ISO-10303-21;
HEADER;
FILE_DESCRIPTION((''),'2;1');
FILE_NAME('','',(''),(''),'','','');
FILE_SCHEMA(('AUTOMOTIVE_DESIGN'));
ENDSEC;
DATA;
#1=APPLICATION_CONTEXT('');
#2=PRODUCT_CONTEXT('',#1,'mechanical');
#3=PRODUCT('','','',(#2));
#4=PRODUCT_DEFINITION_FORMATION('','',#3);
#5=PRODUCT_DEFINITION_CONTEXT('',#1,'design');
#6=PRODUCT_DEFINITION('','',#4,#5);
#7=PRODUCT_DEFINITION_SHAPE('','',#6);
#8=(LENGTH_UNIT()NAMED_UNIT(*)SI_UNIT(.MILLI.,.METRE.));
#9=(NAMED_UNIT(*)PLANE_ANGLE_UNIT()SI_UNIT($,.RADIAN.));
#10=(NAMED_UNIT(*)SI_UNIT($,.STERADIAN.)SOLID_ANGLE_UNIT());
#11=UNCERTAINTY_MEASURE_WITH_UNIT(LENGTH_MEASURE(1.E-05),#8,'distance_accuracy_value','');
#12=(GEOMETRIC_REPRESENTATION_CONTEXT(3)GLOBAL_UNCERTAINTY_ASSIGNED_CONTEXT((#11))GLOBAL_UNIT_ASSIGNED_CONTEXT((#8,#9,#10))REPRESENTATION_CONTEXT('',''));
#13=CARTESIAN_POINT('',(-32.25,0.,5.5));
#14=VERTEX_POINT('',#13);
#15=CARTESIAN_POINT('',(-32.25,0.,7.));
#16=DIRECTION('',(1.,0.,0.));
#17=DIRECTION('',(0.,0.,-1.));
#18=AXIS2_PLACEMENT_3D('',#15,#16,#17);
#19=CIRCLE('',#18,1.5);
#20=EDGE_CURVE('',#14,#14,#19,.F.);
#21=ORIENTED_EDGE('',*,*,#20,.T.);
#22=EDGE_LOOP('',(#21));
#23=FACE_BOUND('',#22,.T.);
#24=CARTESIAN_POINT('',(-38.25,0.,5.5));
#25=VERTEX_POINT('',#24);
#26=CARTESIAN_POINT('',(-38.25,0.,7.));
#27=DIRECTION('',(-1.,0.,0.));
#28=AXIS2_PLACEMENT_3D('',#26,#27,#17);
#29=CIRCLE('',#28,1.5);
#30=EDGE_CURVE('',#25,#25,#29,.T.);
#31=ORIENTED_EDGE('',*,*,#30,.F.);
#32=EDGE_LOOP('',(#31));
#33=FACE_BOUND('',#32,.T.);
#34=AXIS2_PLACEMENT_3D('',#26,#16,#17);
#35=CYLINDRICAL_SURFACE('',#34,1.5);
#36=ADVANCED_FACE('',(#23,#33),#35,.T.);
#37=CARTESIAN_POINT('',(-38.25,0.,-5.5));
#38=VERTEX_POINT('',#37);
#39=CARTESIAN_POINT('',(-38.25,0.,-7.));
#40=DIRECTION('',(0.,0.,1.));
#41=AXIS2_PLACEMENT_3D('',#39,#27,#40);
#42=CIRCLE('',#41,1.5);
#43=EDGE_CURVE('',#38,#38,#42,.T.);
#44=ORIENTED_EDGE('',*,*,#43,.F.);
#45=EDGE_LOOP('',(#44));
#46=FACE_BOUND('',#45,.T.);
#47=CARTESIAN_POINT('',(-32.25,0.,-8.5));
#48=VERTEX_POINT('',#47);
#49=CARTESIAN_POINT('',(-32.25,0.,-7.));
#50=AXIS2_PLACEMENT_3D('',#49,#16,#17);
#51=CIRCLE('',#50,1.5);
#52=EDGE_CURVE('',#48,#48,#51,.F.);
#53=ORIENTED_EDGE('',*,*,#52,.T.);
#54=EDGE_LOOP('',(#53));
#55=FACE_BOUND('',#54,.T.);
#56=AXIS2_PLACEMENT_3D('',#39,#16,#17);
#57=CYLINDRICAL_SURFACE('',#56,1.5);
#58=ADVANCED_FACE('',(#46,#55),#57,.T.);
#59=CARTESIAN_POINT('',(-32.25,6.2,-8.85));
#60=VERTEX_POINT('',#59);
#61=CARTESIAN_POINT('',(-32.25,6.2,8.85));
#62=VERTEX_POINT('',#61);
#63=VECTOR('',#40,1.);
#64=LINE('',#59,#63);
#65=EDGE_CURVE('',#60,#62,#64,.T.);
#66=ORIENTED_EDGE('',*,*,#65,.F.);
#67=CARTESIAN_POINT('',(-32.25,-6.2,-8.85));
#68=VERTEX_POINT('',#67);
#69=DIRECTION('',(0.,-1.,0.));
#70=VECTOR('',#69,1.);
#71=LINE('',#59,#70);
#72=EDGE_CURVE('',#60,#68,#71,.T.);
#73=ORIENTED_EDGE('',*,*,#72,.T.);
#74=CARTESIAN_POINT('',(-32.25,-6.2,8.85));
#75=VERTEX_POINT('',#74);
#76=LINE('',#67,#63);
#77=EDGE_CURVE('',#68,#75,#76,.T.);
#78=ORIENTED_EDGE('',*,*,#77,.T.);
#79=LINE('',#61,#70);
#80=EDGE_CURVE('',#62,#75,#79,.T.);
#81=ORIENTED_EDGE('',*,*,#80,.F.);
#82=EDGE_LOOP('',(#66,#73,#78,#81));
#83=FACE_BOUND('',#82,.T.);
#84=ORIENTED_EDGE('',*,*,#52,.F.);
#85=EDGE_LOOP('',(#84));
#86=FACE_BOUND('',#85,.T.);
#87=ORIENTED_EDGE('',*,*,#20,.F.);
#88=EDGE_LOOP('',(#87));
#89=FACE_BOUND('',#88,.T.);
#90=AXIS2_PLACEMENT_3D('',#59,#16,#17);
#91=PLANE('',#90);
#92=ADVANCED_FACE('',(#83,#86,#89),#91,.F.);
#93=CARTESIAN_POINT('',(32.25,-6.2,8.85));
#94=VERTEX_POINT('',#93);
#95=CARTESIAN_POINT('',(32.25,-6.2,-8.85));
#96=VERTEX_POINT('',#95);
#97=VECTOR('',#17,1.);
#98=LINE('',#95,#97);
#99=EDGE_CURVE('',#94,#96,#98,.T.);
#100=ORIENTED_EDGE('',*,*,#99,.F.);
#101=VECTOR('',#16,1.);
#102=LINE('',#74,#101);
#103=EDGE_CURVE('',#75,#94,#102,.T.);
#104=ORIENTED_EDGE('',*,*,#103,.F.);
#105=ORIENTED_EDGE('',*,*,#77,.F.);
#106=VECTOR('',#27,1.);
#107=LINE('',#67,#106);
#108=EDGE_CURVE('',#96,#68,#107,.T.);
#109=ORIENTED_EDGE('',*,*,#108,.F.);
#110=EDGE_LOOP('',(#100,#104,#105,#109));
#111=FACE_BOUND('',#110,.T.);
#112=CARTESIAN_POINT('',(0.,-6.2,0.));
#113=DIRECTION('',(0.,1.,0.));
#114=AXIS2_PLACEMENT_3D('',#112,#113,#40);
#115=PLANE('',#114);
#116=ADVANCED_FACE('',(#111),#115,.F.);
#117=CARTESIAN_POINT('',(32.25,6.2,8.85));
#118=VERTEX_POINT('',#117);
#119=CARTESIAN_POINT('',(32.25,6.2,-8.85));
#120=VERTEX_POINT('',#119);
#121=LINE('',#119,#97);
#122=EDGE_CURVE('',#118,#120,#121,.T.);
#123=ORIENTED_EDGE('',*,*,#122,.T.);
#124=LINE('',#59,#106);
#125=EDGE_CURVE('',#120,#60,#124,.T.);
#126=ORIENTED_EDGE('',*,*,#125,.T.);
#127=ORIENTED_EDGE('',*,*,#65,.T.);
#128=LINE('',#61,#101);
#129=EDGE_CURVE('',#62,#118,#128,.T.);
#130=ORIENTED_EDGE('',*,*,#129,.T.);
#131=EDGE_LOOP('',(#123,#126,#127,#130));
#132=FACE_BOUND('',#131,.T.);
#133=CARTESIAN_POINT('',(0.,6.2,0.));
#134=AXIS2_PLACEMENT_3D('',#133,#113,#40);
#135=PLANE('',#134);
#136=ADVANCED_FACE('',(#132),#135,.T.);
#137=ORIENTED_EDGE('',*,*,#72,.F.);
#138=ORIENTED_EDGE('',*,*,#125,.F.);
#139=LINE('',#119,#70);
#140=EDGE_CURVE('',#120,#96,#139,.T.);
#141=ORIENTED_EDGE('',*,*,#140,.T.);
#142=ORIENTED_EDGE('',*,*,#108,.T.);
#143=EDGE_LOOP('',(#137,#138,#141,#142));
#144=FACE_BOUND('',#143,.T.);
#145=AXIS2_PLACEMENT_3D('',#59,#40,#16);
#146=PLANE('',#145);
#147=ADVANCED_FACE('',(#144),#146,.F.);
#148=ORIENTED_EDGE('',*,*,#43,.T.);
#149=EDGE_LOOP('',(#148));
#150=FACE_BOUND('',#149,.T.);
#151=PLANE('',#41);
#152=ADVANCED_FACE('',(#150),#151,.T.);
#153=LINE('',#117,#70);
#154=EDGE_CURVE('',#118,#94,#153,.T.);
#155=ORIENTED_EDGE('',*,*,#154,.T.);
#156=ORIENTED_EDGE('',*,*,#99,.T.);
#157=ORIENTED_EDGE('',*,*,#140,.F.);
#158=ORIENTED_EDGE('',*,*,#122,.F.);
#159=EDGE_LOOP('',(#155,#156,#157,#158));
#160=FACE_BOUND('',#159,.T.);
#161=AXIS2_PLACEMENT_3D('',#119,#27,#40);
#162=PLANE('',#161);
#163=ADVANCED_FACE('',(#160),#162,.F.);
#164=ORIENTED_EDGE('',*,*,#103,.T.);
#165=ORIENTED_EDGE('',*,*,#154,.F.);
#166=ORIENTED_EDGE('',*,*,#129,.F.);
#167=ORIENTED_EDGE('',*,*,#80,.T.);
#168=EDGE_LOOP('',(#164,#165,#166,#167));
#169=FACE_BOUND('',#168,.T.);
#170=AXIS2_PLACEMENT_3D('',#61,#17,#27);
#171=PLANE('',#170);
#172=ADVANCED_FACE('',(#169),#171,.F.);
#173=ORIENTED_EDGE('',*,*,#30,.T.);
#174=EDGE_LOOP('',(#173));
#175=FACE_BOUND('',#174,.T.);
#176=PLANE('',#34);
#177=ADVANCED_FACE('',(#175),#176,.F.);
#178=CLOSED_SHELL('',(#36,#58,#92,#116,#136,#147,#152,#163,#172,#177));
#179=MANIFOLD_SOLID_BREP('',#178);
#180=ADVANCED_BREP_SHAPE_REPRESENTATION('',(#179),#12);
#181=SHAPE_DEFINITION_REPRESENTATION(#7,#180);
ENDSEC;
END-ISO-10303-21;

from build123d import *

# Parameters (mm, degrees)
SKETCH1_W           = 64.5
SKETCH1_H           = 17.7
BOSS_EXTRUDE1_DEPTH = 6.2
SKETCH2_R           = 1.5
BOSS_EXTRUDE2_DEPTH = 6


with BuildPart() as part:
    # Sketch1 → Boss-Extrude1 (new, symmetric)
    with BuildSketch(Plane(origin=(0, 0, 0), x_dir=(1, 0, 0), z_dir=(0, 1, 0))):
        Rectangle(SKETCH1_W, SKETCH1_H)
    extrude(amount=BOSS_EXTRUDE1_DEPTH, both=True)

    # Sketch2 → Boss-Extrude2 (add, symmetric)
    with BuildSketch(Plane.ZY.offset(32.25)):
        with Locations(Location((-7, 0, 0), (0, 0, 180))):
            Circle(SKETCH2_R)
        with Locations(Location((7, 0, 0), (0, 0, 180))):
            Circle(SKETCH2_R)
    extrude(amount=BOSS_EXTRUDE2_DEPTH, both=True)


solid = part.part
